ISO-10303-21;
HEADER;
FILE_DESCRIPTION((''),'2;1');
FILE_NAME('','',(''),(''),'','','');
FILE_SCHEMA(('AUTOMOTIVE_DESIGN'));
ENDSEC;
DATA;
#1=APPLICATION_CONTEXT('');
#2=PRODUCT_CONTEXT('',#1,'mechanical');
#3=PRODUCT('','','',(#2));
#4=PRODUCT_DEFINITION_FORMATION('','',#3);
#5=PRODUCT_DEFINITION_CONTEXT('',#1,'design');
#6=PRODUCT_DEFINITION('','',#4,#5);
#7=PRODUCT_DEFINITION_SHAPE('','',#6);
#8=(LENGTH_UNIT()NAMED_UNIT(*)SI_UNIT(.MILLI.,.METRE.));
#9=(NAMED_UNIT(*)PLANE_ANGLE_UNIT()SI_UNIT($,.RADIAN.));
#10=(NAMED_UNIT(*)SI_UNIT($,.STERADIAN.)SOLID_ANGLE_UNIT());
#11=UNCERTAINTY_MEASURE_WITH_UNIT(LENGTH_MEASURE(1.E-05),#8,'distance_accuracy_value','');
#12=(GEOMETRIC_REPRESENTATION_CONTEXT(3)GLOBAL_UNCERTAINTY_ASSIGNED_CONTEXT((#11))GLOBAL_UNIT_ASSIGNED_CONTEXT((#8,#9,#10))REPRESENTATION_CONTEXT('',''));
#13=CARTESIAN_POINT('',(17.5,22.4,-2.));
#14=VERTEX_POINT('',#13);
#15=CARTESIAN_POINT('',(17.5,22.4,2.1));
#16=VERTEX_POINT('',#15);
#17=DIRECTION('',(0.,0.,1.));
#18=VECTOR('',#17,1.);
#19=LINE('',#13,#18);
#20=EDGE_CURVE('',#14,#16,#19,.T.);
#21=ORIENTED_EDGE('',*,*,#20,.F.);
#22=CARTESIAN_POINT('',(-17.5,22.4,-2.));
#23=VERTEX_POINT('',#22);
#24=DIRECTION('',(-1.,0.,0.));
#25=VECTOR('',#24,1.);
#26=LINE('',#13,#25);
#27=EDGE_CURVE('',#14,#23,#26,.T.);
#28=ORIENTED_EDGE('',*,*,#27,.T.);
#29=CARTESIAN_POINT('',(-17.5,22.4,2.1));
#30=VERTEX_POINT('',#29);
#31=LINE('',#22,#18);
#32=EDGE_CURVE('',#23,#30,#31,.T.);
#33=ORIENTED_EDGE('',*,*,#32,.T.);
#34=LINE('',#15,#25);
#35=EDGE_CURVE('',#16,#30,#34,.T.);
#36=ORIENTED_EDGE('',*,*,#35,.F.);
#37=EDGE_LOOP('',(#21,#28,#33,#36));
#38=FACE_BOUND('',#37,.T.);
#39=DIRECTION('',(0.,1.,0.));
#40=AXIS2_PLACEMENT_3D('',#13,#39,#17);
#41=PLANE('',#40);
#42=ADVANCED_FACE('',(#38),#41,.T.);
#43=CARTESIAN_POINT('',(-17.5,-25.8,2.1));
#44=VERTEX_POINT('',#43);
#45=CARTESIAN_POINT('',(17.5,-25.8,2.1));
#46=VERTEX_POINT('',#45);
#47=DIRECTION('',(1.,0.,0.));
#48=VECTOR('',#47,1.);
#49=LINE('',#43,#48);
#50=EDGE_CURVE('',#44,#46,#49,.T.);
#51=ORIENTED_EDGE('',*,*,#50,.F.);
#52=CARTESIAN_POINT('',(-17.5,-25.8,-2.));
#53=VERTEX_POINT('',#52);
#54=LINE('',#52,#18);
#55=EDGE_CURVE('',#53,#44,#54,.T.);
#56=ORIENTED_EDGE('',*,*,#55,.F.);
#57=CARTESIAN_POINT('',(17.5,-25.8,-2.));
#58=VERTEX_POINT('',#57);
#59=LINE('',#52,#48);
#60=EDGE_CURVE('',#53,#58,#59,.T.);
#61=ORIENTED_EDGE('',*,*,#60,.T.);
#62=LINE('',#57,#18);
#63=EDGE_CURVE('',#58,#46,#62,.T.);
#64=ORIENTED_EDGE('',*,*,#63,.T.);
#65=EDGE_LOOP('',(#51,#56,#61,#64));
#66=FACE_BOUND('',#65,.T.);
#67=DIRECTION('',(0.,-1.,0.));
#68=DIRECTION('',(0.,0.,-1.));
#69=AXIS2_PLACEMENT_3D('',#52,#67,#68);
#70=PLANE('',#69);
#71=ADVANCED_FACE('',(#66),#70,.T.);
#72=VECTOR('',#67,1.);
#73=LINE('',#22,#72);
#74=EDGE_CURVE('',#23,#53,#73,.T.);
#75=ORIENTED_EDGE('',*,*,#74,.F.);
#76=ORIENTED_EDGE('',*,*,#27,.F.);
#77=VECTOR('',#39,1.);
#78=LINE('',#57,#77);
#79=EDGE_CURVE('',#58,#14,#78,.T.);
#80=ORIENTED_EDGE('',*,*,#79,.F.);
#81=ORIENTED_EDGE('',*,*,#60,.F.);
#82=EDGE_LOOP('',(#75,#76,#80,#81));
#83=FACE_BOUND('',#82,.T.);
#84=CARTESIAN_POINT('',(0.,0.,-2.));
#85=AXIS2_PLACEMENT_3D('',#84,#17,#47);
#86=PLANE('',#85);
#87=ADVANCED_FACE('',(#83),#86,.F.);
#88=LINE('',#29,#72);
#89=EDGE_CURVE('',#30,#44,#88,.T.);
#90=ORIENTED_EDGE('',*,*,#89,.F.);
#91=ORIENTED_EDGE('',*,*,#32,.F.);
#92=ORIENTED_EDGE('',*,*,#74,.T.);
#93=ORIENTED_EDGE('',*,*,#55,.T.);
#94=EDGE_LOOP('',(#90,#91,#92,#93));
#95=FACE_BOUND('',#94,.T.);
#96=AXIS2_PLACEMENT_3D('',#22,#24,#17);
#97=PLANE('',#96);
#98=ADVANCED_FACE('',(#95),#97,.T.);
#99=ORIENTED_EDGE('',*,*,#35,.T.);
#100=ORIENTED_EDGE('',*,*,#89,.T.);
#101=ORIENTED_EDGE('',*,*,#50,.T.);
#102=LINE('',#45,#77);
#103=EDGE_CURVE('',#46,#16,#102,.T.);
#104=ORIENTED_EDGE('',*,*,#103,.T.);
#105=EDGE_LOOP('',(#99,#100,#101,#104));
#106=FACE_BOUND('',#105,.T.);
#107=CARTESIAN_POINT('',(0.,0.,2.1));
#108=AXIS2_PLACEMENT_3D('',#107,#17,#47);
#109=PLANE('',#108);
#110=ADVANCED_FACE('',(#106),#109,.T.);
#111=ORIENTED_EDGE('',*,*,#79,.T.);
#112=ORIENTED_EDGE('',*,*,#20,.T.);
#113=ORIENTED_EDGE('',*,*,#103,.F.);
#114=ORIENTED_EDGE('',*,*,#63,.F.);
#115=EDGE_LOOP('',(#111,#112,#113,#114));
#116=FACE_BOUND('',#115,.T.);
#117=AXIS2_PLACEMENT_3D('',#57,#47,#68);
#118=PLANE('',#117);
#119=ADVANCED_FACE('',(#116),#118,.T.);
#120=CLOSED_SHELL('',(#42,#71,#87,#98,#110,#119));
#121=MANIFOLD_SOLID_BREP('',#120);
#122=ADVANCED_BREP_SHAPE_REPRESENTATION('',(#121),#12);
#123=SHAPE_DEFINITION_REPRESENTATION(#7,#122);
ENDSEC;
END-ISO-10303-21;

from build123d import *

# Parameters (mm, degrees)
LCD_SK1_W = 35
LCD_SK1_H = 48.2
LCD_DEPTH = 4.1


with BuildPart() as part:
    # LCD_Sk1 → LCD (new body)
    with BuildSketch(Plane.XY.offset(2.1)):
        with Locations((0, -1.7)):
            Rectangle(LCD_SK1_W, LCD_SK1_H)
    extrude(amount=-LCD_DEPTH)


solid = part.part
